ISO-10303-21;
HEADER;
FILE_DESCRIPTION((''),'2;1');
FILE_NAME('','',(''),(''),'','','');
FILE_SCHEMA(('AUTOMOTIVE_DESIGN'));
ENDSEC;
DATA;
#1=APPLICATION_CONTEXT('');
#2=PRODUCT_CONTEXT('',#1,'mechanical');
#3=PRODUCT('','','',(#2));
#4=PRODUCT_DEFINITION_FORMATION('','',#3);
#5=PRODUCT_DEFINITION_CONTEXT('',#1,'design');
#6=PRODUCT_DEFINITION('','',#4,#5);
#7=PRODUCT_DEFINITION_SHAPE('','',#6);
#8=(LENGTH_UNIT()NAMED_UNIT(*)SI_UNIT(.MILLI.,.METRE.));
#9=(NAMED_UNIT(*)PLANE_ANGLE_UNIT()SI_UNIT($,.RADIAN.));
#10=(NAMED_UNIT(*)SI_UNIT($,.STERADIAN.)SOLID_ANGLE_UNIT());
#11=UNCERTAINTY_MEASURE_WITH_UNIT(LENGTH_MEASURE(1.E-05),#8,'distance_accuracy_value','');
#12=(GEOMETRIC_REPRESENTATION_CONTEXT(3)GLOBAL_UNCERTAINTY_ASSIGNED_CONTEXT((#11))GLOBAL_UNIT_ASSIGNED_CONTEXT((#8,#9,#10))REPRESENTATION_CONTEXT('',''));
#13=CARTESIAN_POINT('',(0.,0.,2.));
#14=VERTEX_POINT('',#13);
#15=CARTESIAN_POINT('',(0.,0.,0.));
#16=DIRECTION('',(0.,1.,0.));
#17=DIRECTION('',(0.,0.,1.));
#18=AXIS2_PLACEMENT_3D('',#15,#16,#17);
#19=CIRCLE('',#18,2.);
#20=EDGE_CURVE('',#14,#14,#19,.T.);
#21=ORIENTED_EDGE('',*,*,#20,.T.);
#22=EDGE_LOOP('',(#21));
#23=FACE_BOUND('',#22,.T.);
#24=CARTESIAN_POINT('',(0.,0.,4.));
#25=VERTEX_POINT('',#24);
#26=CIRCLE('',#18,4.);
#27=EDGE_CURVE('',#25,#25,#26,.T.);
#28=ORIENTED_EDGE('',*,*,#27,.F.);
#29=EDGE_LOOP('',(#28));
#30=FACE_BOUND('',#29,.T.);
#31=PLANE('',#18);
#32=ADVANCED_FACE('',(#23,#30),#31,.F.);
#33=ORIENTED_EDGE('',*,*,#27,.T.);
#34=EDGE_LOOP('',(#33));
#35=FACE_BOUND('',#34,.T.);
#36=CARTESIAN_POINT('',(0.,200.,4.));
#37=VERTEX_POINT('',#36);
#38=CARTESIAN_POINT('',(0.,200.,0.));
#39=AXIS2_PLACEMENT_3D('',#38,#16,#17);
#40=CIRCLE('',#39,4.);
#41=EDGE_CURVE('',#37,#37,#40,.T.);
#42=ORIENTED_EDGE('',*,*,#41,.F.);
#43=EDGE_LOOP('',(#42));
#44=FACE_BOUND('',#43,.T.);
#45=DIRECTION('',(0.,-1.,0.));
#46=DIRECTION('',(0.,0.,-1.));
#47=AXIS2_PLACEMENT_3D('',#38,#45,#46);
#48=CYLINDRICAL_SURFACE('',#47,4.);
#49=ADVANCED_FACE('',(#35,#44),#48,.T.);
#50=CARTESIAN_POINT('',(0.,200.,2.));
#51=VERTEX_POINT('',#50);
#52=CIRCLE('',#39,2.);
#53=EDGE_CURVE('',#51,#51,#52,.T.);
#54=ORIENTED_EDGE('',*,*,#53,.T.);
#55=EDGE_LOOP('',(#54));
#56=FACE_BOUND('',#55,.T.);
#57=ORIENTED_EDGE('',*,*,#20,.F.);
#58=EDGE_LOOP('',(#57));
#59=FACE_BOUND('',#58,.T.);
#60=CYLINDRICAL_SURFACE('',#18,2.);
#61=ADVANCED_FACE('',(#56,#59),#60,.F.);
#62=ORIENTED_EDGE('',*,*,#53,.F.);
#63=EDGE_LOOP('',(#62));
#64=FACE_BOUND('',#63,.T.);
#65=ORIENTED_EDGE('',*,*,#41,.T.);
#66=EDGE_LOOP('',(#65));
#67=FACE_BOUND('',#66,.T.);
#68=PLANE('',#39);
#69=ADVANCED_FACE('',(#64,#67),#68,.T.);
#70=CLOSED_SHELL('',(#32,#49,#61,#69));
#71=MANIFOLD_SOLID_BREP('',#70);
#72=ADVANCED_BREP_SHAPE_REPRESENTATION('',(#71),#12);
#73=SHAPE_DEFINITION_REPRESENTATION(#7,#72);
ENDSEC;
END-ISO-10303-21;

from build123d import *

# Parameters (mm, degrees)
SKETCH_1_R          = 4
EXTRUDE_1_DEPTH     = 200
SKETCH_2_R          = 2
CUT_EXTRUDE_1_DEPTH = 201.079984006


with BuildPart() as part:
    # 草图1 → 凸台-拉伸1 (new body)
    with BuildSketch(Plane(origin=(0, 0, 0), x_dir=(1, 0, 0), z_dir=(0, 1, 0))):
        with Locations(Location((0, 0, 0), (0, 0, 270))):
            Circle(SKETCH_1_R)
    extrude(amount=EXTRUDE_1_DEPTH)

    # 草图2 → 切除-拉伸1 (cut, through all)
    with BuildSketch(Plane(origin=(0, 200, 0), x_dir=(1, 0, 0), z_dir=(0, 1, 0))):
        with Locations(Location((0, 0, 0), (0, 0, 270))):
            Circle(SKETCH_2_R)
    extrude(amount=-CUT_EXTRUDE_1_DEPTH, mode=Mode.SUBTRACT)


solid = part.part
